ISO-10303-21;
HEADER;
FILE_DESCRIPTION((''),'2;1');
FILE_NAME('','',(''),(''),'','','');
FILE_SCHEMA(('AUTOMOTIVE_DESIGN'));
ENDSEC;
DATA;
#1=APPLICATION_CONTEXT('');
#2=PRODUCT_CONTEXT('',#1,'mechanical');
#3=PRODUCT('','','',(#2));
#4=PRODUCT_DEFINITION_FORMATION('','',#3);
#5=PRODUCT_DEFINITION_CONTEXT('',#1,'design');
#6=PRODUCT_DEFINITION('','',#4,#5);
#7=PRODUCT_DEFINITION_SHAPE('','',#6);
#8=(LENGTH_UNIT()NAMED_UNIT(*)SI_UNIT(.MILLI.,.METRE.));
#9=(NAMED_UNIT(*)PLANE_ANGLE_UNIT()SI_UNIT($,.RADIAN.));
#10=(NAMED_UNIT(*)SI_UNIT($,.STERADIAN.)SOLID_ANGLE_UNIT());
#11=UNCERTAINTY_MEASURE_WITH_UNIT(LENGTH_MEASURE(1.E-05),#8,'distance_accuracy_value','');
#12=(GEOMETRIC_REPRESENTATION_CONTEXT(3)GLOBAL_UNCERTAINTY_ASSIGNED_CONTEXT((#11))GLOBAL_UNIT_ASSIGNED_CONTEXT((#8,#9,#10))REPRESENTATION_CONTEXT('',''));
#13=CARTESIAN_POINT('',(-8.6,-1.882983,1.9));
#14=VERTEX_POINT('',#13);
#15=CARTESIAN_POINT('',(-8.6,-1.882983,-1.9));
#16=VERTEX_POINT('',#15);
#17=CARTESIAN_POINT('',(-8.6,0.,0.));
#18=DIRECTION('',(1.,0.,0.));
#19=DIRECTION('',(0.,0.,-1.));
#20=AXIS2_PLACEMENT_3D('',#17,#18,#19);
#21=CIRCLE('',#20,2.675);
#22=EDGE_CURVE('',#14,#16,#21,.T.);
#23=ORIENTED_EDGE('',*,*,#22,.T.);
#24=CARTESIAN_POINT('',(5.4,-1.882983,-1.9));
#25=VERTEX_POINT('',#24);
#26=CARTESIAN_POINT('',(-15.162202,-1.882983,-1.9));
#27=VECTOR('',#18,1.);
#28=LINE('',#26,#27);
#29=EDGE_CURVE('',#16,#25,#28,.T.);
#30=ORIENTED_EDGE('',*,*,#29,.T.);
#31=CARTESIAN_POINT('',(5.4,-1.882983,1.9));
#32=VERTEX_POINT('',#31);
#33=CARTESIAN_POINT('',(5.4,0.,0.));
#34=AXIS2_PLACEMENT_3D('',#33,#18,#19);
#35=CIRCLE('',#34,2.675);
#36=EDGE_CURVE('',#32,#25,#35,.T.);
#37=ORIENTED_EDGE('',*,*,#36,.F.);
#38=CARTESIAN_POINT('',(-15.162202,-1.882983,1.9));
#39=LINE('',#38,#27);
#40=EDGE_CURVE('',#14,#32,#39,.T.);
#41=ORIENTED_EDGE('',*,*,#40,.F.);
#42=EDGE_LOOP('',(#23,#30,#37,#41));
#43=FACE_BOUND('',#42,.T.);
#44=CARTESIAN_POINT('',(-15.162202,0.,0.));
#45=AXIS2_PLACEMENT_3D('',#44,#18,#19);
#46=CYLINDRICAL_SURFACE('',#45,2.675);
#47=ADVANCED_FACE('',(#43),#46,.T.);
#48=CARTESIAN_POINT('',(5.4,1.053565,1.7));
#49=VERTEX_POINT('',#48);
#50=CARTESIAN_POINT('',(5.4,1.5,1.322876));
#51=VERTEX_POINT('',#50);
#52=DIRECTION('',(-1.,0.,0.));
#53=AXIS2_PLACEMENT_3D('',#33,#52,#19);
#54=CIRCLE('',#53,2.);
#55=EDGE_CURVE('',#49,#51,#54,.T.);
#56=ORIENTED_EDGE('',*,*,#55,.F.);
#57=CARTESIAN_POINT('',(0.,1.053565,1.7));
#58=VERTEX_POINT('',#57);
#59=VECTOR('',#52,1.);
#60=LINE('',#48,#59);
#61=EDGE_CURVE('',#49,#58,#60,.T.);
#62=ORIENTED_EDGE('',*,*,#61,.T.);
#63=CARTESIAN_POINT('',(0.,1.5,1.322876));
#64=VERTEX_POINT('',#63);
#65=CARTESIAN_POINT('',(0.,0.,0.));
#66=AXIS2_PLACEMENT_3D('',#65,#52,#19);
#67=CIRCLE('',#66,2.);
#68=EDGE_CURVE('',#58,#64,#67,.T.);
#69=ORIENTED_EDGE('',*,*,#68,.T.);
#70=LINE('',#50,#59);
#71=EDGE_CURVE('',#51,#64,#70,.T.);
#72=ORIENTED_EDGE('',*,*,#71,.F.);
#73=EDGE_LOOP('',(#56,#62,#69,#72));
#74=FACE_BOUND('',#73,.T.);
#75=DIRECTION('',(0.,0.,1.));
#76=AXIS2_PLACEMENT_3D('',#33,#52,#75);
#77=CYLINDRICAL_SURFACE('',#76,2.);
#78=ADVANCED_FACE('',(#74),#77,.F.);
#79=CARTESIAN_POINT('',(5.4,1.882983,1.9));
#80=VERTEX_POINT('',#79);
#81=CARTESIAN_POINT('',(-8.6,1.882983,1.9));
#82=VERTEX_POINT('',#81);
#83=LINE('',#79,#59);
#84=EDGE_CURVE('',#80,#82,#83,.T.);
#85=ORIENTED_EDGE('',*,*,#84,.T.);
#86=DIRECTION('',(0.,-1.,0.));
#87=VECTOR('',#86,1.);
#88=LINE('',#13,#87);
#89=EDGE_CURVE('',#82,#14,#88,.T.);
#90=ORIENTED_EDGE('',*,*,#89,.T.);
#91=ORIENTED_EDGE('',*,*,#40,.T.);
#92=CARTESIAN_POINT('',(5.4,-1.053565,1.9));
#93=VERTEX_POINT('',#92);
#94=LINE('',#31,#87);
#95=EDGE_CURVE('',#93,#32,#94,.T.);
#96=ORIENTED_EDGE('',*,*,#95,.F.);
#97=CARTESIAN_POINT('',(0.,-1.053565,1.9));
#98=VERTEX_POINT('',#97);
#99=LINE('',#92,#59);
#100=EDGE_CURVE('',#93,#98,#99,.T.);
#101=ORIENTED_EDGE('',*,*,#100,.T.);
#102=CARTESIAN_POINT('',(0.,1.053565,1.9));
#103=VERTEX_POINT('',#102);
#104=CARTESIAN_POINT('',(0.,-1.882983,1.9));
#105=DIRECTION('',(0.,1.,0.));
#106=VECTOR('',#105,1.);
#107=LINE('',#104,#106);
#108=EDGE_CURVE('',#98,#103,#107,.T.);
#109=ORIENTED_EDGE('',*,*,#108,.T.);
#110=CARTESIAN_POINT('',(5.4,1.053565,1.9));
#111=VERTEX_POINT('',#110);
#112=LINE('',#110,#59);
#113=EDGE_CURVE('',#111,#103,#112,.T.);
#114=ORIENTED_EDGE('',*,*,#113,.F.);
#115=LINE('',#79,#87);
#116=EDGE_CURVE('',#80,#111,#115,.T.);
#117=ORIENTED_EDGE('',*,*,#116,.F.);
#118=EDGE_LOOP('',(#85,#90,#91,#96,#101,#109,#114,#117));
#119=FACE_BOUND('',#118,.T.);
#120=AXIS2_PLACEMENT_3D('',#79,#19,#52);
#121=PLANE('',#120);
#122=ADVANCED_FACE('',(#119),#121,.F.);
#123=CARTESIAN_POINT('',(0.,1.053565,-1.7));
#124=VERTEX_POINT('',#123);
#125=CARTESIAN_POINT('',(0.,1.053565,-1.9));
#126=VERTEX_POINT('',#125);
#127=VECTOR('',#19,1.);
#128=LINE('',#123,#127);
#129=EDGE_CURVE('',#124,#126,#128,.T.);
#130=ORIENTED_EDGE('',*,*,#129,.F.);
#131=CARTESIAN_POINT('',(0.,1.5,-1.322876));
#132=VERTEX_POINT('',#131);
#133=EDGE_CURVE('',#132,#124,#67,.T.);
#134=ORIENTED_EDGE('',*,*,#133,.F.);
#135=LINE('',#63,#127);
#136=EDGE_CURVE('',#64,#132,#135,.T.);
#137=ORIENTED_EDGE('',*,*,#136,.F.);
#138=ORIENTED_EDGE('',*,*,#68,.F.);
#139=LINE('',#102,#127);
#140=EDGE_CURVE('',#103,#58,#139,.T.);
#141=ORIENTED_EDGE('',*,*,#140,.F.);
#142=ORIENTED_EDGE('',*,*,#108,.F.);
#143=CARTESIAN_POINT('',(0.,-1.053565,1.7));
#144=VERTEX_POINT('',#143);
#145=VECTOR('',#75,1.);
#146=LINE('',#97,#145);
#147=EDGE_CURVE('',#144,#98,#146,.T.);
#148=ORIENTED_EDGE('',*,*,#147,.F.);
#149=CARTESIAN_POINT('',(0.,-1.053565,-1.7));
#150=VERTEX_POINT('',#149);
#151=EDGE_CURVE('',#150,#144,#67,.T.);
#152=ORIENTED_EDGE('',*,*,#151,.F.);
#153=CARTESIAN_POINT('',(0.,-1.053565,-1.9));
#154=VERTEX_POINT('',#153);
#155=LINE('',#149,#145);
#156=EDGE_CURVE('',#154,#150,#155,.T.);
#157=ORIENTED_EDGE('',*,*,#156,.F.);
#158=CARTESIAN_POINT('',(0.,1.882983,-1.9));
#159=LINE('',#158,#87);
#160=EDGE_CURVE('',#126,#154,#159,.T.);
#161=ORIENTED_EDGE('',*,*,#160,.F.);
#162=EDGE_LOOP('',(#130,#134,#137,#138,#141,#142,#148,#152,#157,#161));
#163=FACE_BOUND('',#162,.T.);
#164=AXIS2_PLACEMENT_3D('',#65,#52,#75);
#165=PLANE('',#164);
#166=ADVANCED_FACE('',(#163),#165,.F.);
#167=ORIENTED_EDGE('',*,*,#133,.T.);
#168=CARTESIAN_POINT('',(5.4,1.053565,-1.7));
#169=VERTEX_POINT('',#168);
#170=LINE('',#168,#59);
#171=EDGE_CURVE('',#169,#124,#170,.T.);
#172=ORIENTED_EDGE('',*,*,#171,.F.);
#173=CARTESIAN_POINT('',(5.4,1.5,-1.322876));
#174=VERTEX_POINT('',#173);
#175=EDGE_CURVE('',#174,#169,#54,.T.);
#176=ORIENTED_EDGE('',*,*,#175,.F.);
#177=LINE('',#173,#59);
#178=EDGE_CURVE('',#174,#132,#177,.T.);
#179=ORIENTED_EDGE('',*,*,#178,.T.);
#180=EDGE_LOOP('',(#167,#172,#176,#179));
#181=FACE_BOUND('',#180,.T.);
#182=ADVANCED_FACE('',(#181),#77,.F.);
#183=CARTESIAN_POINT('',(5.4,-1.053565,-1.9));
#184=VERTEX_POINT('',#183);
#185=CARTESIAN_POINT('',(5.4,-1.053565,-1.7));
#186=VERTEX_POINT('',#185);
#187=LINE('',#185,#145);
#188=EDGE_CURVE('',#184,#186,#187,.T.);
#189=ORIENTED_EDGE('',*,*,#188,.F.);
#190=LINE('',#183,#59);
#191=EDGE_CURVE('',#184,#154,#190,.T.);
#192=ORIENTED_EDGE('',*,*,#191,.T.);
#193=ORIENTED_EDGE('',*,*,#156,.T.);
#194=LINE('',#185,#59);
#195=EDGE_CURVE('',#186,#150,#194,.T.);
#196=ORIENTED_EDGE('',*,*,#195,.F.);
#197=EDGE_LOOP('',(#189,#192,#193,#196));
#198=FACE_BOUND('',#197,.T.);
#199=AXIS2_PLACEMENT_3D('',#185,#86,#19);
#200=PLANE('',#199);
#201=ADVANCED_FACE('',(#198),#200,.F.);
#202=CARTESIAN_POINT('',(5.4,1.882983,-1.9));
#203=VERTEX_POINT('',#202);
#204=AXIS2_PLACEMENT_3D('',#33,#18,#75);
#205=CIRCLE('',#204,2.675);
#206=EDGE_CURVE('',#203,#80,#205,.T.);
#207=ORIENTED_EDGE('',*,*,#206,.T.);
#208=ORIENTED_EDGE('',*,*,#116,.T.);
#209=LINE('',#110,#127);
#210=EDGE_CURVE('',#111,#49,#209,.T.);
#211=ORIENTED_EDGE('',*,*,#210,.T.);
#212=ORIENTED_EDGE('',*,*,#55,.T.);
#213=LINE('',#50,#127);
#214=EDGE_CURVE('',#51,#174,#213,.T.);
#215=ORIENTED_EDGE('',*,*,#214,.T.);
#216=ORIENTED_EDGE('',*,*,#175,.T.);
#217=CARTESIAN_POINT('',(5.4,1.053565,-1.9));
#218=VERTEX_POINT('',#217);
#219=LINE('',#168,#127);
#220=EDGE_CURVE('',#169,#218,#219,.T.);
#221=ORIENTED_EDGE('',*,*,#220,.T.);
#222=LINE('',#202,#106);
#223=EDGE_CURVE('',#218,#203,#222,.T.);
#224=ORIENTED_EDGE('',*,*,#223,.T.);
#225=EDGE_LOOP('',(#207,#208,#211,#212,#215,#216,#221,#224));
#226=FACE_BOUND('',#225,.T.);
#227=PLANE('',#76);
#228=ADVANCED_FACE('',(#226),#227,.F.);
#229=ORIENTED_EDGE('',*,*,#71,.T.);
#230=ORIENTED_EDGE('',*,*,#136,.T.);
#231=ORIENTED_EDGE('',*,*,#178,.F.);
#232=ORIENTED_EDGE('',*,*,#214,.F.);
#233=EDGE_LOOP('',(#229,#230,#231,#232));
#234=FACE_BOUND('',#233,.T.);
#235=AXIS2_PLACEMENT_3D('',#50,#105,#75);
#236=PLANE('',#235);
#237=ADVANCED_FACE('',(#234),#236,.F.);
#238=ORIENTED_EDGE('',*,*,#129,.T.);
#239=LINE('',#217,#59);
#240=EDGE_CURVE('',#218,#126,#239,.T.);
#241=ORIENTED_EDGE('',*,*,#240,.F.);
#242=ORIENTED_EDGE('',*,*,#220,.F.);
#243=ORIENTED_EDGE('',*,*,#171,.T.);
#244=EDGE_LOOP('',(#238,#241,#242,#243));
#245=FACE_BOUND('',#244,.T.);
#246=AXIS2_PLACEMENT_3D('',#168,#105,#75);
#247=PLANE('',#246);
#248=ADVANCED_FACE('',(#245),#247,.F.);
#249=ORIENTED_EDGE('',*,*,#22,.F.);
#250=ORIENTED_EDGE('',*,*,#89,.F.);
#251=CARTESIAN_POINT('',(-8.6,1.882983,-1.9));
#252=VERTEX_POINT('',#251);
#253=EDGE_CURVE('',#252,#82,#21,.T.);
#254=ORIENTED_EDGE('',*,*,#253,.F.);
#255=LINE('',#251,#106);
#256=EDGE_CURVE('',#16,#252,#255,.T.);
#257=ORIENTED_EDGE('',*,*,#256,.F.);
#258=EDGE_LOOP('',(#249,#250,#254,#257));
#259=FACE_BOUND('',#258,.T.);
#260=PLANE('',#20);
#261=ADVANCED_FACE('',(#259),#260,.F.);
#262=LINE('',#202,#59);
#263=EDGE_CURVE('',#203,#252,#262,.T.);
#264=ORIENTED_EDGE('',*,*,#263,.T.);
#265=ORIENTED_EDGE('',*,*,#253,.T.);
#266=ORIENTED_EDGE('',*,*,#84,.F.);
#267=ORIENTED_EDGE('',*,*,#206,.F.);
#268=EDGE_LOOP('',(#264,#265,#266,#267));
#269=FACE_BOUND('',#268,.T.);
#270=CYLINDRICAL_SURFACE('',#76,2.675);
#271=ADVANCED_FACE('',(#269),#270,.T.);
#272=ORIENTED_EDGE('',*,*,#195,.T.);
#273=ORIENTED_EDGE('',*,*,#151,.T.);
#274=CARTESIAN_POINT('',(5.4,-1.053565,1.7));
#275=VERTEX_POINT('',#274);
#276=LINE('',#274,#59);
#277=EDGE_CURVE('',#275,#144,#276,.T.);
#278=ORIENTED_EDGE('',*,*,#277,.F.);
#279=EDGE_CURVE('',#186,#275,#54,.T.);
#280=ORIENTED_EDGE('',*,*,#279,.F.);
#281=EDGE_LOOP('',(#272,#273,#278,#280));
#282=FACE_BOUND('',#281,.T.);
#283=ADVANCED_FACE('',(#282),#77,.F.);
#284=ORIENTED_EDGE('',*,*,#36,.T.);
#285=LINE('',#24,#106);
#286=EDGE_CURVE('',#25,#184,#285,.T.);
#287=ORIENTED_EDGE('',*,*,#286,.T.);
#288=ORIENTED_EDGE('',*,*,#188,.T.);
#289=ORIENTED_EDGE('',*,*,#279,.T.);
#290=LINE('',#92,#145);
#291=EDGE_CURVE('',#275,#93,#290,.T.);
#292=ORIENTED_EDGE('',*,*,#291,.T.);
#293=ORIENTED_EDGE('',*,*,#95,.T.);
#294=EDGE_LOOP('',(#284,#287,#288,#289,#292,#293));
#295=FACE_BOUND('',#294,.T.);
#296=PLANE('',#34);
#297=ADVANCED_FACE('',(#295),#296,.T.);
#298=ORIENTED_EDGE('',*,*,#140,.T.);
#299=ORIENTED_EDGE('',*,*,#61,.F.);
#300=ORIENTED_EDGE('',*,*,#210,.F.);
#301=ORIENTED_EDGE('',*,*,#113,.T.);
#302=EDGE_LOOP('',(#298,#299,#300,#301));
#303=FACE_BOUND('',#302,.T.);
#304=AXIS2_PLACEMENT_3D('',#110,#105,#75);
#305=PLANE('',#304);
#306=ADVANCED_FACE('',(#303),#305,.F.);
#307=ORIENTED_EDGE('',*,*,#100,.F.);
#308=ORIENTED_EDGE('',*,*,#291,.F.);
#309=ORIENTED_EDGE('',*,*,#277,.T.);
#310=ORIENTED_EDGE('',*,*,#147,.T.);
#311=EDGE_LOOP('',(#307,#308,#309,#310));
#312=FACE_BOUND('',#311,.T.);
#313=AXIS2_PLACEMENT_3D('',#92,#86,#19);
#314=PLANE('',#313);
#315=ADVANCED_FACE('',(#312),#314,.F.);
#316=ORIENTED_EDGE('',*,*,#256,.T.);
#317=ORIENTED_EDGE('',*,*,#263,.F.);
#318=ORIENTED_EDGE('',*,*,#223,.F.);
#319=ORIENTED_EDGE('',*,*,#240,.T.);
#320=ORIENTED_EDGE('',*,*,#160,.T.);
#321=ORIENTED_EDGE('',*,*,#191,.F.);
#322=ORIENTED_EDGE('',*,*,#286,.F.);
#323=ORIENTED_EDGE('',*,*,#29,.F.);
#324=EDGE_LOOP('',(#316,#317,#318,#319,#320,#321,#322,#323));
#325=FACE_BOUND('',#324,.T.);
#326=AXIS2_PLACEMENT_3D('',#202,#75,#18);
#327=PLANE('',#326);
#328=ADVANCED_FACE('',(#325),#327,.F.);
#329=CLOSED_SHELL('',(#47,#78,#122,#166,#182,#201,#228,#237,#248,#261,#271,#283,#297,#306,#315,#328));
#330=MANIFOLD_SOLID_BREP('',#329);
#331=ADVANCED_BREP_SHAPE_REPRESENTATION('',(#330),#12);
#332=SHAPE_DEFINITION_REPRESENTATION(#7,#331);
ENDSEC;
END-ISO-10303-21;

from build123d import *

# Parameters (mm, degrees)
BOSS_EXTRUDE1_DEPTH   = 5.4
BOSS_EXTRUDE1_2_DEPTH = 5.4
BOSS_EXTRUDE2_START   = 8.6
BOSS_EXTRUDE2_DEPTH   = 8.6


with BuildPart() as part:
    # Sketch2 → Boss-Extrude1 (new body)
    with BuildSketch(Plane(origin=(0, 0, 0), x_dir=(0, 0, -1), z_dir=(1, 0, 0))):
        with BuildLine():
            Line((-1.9, -1.882983006), (-1.9, -1.053565375))
            Line((-1.9, -1.053565375), (-1.7, -1.053565375))
            ThreePointArc((-1.7, -1.053565375), (0, -2), (1.7, -1.053565375))
            Line((1.7, -1.053565375), (1.9, -1.053565375))
            Line((1.9, -1.053565375), (1.9, -1.882983006))
            ThreePointArc((1.9, -1.882983006), (0, -2.675), (-1.9, -1.882983006))
        make_face()
    extrude(amount=BOSS_EXTRUDE1_DEPTH)



with BuildPart() as body_2:
    # Sketch2 → Boss-Extrude1 2 (new body)
    with BuildSketch(Plane(origin=(0, 0, 0), x_dir=(0, 0, -1), z_dir=(1, 0, 0))):
        with BuildLine():
            Line((-1.9, 1.882983006), (-1.9, 1.053565375))
            Line((-1.9, 1.053565375), (-1.7, 1.053565375))
            ThreePointArc((-1.7, 1.053565375), (-1.527831887, 1.290631521), (-1.322875656, 1.5))
            Line((-1.322875656, 1.5), (1.322875656, 1.5))
            ThreePointArc((1.322875656, 1.5), (1.527831887, 1.290631521), (1.7, 1.053565375))
            Line((1.7, 1.053565375), (1.9, 1.053565375))
            Line((1.9, 1.053565375), (1.9, 1.882983006))
            ThreePointArc((1.9, 1.882983006), (0, 2.675), (-1.9, 1.882983006))
        make_face()
    extrude(amount=BOSS_EXTRUDE1_2_DEPTH)


with BuildPart() as part_1:
    add(part.part)

    add(body_2.part)  # Boss-Extrude2 merges body 2
    # Sketch3 → Boss-Extrude2 (add)
    with BuildSketch(Plane.ZY.offset(BOSS_EXTRUDE2_START)):
        with BuildLine():
            Line((1.9, -1.882983006), (1.9, 1.882983006))
            ThreePointArc((1.9, 1.882983006), (0, 2.675), (-1.9, 1.882983006))
            Line((-1.9, 1.882983006), (-1.9, -1.882983006))
            ThreePointArc((-1.9, -1.882983006), (0, -2.675), (1.9, -1.882983006))
        make_face()
    extrude(amount=-BOSS_EXTRUDE2_DEPTH)


solid = part_1.part
